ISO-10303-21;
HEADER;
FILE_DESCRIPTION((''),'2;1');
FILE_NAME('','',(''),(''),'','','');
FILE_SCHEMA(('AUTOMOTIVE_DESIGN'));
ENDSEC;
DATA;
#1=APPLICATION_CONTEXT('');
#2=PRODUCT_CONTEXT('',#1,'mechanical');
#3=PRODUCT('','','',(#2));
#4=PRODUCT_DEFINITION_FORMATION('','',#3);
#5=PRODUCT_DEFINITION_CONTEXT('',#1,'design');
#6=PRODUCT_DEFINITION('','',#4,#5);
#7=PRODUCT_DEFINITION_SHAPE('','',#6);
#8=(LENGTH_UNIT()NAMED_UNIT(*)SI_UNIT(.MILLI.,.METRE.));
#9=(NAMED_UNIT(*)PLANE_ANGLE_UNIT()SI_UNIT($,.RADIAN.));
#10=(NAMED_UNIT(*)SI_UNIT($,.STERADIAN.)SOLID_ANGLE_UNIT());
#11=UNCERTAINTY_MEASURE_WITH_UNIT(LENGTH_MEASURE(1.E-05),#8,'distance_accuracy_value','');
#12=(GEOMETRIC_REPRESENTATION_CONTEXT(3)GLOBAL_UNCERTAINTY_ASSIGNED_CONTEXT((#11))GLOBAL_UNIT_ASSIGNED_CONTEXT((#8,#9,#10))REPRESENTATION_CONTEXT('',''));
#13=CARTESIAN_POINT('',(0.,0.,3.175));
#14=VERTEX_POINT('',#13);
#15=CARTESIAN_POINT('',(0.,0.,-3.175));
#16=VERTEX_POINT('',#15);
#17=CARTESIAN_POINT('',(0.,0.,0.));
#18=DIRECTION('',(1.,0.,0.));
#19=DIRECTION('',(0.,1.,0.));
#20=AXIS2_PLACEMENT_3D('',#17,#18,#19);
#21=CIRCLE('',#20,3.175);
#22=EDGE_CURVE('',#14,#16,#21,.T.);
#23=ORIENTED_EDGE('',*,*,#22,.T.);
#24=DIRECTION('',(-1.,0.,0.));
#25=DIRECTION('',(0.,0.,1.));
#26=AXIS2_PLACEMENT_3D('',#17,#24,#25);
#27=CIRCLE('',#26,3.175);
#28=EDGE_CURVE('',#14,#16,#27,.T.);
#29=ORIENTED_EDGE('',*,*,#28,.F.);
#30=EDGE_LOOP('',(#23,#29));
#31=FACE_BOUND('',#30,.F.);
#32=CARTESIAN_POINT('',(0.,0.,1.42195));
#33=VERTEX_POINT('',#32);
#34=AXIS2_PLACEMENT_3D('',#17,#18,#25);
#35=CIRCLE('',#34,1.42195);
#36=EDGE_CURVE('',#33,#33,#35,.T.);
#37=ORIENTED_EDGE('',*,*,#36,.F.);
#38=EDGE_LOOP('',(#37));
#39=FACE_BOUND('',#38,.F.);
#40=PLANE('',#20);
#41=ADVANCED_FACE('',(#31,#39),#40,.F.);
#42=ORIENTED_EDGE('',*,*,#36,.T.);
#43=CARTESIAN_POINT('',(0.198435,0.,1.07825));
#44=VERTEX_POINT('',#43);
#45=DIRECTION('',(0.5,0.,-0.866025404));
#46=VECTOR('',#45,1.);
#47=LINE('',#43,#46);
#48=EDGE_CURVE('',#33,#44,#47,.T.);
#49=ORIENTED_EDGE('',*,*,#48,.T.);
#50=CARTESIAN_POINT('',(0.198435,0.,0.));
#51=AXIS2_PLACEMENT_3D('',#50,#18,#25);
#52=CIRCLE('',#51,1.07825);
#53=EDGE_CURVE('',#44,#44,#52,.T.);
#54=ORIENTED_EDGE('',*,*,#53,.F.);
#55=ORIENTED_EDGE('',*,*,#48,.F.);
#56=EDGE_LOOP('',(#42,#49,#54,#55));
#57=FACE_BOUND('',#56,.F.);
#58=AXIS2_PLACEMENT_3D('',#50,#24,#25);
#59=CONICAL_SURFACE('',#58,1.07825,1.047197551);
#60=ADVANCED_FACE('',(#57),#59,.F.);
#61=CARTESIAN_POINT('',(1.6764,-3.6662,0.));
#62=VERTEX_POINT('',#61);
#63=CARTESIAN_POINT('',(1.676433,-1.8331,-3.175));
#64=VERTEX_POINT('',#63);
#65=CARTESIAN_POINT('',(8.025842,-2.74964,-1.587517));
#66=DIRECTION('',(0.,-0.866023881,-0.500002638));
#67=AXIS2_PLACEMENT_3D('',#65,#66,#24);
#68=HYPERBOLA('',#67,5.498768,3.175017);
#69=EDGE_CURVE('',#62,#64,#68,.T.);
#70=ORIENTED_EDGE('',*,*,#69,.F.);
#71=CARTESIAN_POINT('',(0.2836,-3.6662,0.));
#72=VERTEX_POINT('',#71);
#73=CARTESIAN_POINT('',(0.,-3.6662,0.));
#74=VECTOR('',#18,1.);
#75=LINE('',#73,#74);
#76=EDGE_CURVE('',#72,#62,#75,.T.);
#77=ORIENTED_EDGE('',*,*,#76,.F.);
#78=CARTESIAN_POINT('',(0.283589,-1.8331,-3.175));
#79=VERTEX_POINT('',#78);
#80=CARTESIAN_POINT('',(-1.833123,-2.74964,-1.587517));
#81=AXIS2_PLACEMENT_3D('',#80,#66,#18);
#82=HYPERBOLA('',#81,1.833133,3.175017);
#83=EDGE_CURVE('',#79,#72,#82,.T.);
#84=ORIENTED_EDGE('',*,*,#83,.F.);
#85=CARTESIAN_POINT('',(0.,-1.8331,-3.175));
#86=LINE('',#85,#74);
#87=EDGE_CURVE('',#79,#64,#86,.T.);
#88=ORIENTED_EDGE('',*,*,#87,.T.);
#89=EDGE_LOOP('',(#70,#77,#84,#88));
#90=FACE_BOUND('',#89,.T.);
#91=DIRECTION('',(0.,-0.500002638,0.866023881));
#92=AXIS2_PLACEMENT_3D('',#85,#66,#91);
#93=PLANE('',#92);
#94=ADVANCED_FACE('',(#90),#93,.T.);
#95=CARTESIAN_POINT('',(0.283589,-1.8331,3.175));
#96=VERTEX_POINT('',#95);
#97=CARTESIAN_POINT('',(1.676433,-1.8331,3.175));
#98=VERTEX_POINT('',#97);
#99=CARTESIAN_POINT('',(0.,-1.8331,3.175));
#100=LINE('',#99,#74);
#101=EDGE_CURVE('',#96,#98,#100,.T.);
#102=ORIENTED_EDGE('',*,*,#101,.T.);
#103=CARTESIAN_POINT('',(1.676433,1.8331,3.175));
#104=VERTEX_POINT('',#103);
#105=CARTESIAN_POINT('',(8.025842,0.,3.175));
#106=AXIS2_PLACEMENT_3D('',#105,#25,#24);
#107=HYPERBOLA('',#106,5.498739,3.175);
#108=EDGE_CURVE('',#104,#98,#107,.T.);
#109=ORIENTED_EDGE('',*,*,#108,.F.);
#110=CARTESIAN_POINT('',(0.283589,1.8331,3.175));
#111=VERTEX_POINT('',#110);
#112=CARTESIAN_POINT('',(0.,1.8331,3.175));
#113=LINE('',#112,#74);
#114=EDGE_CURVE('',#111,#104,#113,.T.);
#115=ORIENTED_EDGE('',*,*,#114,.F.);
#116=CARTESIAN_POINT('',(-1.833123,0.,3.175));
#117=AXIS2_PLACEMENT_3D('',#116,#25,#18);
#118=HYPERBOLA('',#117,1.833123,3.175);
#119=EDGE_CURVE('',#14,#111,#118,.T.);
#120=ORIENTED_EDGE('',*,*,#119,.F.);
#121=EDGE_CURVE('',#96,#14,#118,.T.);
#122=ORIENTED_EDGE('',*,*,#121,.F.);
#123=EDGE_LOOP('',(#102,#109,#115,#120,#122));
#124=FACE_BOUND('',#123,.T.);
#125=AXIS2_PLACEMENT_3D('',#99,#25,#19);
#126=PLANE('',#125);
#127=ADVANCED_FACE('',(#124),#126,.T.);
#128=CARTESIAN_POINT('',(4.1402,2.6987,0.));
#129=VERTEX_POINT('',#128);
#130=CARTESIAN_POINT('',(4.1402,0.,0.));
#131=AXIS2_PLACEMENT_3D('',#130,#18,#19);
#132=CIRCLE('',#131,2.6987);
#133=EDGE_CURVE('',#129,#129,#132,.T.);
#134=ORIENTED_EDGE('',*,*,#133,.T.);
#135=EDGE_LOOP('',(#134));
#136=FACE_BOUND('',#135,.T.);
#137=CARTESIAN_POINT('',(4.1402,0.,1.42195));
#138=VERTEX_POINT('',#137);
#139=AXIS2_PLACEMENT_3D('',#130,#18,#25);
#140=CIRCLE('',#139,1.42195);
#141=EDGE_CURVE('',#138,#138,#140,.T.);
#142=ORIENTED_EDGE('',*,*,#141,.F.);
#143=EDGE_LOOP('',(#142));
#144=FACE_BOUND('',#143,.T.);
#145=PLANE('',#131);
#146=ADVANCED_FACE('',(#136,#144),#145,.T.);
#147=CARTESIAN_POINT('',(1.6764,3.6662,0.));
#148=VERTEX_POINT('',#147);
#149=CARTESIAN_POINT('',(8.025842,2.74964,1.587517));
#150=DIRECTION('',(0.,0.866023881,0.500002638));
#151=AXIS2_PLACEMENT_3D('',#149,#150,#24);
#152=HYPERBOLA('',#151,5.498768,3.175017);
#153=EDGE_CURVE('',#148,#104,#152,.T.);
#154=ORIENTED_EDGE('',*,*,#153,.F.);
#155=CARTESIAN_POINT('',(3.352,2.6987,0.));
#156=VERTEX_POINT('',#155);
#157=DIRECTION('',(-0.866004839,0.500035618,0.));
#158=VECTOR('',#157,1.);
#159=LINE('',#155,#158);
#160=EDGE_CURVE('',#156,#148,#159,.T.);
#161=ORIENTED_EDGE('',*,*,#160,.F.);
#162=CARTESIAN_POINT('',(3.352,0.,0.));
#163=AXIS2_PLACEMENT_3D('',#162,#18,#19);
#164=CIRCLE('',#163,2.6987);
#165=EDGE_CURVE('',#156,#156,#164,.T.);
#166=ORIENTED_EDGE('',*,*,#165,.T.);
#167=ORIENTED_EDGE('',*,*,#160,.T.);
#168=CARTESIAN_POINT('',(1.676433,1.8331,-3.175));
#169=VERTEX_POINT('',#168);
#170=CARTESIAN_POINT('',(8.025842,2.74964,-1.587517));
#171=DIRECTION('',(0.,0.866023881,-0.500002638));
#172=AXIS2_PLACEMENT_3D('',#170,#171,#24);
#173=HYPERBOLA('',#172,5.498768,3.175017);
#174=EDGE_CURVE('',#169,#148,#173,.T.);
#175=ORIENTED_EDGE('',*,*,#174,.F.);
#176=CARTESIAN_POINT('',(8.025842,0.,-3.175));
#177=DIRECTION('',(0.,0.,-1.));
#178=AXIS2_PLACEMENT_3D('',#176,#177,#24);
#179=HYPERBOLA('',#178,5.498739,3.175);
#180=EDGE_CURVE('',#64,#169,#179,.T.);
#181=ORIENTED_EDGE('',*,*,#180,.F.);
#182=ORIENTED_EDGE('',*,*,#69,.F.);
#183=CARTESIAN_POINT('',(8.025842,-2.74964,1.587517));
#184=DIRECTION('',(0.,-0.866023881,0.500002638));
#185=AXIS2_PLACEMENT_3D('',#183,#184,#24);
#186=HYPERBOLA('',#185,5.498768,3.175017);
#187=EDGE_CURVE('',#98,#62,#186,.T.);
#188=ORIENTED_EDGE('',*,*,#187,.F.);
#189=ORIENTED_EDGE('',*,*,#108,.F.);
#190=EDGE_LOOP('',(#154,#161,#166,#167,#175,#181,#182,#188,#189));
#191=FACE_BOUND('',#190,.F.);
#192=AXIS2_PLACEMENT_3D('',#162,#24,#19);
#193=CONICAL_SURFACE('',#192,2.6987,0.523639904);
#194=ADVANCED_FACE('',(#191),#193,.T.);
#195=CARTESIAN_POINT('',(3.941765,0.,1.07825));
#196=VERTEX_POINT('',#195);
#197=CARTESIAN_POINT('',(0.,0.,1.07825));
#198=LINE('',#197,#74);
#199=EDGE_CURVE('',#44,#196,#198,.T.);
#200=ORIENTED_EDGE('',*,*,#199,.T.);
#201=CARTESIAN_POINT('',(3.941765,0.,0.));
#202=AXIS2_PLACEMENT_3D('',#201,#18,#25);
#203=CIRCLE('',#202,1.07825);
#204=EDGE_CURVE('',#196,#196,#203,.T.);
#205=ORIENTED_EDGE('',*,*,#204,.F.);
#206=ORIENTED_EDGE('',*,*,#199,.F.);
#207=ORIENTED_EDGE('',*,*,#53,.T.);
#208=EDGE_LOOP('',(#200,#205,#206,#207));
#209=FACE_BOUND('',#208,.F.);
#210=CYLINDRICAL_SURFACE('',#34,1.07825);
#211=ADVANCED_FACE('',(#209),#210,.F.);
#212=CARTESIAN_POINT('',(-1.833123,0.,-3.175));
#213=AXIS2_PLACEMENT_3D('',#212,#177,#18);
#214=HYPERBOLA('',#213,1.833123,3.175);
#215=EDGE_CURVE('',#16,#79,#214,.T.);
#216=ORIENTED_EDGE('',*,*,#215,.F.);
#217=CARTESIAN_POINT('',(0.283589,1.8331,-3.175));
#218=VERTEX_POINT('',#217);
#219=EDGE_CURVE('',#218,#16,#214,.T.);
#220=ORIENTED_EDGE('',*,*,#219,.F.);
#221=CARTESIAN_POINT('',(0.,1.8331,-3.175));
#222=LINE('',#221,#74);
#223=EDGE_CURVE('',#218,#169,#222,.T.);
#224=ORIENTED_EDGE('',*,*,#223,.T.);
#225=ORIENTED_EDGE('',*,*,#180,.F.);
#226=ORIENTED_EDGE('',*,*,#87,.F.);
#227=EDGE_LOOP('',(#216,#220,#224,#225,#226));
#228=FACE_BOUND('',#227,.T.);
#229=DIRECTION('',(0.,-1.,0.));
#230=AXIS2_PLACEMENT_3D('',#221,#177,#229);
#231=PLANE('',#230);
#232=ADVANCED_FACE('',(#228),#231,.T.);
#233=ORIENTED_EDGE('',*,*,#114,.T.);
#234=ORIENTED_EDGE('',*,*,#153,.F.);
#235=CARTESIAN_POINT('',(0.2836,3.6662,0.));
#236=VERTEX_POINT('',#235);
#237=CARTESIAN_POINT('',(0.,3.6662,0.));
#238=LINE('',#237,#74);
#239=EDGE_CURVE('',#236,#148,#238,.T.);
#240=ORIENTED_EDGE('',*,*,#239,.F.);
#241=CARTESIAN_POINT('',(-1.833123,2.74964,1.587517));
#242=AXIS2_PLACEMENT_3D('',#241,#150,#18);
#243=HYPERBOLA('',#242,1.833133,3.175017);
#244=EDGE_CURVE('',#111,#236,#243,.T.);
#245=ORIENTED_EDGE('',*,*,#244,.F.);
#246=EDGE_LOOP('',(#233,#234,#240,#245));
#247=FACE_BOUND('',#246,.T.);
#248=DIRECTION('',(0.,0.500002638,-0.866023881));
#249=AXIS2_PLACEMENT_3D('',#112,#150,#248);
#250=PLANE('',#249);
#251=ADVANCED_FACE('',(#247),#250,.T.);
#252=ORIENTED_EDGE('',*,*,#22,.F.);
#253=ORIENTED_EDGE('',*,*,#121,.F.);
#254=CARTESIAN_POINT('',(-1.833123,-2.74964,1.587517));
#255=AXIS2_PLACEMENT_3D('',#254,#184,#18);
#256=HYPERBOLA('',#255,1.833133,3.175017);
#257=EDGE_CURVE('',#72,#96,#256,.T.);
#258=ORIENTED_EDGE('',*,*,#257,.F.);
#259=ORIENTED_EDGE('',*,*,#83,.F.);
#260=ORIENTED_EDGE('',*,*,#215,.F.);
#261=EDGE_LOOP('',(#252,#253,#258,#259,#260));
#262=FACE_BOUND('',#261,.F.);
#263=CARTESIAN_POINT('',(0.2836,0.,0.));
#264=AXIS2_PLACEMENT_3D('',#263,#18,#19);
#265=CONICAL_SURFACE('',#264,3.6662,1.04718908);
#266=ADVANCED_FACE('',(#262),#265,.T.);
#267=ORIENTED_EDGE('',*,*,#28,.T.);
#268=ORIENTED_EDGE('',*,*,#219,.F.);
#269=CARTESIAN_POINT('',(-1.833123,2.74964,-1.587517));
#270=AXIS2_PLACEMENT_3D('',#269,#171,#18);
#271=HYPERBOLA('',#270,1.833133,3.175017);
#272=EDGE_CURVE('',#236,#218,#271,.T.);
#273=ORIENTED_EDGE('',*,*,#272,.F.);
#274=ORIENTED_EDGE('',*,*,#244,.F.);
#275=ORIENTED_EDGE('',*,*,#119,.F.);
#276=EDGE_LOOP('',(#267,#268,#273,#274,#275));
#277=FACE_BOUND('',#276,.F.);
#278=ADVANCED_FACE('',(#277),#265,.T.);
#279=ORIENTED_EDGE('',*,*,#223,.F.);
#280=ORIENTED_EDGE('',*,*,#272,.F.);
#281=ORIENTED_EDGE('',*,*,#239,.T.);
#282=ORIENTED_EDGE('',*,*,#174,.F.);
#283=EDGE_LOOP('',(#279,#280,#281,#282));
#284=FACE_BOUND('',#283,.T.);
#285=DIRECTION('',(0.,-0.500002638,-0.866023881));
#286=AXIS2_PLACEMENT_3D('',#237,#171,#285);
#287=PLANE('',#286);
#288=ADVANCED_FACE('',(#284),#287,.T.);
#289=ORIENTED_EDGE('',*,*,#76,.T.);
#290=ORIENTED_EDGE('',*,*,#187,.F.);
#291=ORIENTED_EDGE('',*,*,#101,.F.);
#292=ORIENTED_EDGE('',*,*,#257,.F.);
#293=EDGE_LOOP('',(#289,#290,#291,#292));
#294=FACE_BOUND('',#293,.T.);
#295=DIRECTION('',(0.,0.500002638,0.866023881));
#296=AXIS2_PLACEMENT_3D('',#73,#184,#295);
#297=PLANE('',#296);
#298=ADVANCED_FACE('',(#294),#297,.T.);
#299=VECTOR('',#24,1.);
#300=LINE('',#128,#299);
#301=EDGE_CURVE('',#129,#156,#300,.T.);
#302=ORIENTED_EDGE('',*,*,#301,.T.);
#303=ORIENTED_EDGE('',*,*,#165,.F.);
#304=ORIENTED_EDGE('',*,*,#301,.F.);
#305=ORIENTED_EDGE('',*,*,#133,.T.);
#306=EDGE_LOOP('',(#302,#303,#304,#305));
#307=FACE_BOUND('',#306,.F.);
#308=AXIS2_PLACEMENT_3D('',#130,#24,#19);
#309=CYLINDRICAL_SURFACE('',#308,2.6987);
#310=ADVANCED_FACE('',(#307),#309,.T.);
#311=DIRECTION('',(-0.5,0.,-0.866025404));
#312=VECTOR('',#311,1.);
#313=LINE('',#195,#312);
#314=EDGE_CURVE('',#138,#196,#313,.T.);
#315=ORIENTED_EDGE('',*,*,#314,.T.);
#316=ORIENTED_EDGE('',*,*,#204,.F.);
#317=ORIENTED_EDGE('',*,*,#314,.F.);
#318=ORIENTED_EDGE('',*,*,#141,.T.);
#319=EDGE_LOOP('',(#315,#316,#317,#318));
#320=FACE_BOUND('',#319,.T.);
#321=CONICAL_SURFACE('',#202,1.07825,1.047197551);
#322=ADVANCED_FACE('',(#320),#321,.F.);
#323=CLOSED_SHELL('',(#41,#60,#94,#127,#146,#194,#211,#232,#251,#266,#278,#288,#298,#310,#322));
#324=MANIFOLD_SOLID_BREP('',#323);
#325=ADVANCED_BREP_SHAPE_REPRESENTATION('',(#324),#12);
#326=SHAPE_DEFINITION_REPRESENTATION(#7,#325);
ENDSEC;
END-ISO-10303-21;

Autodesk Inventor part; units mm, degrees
ref_plane "YZ Plane" through (0, 0, 0) normal (1, 0, 0) x (0, 1, 0)
ref_plane "XZ Plane" through (0, 0, 0) normal (0, 1, 0) x (-1, 0, 0)
sketch "Sketch1" plane through (0, 0, 0) normal (1, 0, 0) x (0, 1, 0)
  line L0 (-3.6662, 0) -> (-1.8331, 3.175)
  line L1 (-1.8331, 3.175) -> (1.8331, 3.175)
  line L2 (1.8331, 3.175) -> (3.6662, 0)
  line L3 (3.6662, 0) -> (1.8331, -3.175)
  line L4 (1.8331, -3.175) -> (-1.8331, -3.175)
  line L5 (-1.8331, -3.175) -> (-3.6662, 0)
  point P0 (0, 0)
  point P1 (0, 0)
  dimension "d0" = 7.3323
extrude "Body" add sketch "Sketch1" along normal blind 4.1402
sketch "Sketch2" plane through (0, 0, 0) normal (-1, 0, 0) x (0, 0, 1)
  line L0 (0, -5.1326) -> (0, 5.1326) projected
  line L1 (-4.445, 0) -> (4.445, 0) projected
  point P0 (0, 0)
hole "Thread" at (0, 0, 0) direction (1, 0, 0) diameter 2.1565 end through all thread size "4-40 UNC" class "2B" standard "ANSI Unified Screw Threads"
chamfer "Chamfer1" distance 0.3437 angle 30 1 edges at (0, 0, -1.0782) measured on face at (0, -2.1289, -1.2625)
chamfer "Chamfer2" distance 0.3437 angle 30 1 edges at (4.1402, 0, -1.0782) measured on face at (4.1402, -2.1289, -1.2625)
sketch "Sketch3" plane through (0, 0, 0) normal (0, 0, 1) x (1, 0, 0)
  line L0 (0, 1.8331) -> (0, 3.6662) projected
  line L1 (0, 3.6662) -> (4.1402, 3.6662) projected
  line L2 (4.1402, 1.8331) -> (4.1402, 3.6662) projected
  line L3 (-0.828, 0) -> (4.9682, 0) projected
  line L4 (0.2836, 3.6662) -> (0, 3.175)
  line L5 (4.1402, 2.6987) -> (3.352, 2.6987)
  line L6 (3.352, 2.6987) -> (1.6764, 3.6662)
  dimension "d3" = 30
  dimension "d5" = 6.35
  dimension "d6" = 5.3975
  dimension "d8" = 60
  dimension "d9" = 1.6764
revolve "Chamfer3" cut sketch "Sketch3" angle 360 about axis through (-10, 0, 0) along (1, 0, 0)
ref_plane "Work Plane1" through (10.5464, 0, 0) normal (0, 0, 1) x (-1, 0, 0)
equation "\"d0\" = 1.1547 * SW"
equation "\"d1\" = KOH"
equation "\"d3\" = ANG1"
equation "\"d5\" = SW0"
equation "\"d6\" = SW1"
equation "\"d8\" = ANG2"
equation "\"d9\" = KOH1"
equation "\"d10\" = -0.5 * GD1 + 0.5 * NND"
equation "\"d39\" = -0.5 * GD1 + 0.5 * NND"
equation "\"d12\" = -0.5 * GD1 + 0.5 * NND"
equation "\"d40\" = -0.5 * GD1 + 0.5 * NND"
equation "\"ANG1\" = 30deg"
equation "\"ANG2\" = 60deg"
equation "\"NND\" = 2.8448"
equation "\"KOH\" = 4.1402"
equation "\"SW\" = 6.35"
equation "\"SW0\" = SW"
equation "\"SW1\" = 0.85 * SW"
equation "\"KOH1\" = 1.6764"
equation "\"THREADDIA\" = 2.8448"
equation "\"TOA\" = 30deg"
equation "\"E0\" = 1.155 * SW"
equation "\"GD1\" = 2.157392"
properties part number "IFI 100/107 - No. 4 - 40 Metal Type" material "Steel, Mild"
